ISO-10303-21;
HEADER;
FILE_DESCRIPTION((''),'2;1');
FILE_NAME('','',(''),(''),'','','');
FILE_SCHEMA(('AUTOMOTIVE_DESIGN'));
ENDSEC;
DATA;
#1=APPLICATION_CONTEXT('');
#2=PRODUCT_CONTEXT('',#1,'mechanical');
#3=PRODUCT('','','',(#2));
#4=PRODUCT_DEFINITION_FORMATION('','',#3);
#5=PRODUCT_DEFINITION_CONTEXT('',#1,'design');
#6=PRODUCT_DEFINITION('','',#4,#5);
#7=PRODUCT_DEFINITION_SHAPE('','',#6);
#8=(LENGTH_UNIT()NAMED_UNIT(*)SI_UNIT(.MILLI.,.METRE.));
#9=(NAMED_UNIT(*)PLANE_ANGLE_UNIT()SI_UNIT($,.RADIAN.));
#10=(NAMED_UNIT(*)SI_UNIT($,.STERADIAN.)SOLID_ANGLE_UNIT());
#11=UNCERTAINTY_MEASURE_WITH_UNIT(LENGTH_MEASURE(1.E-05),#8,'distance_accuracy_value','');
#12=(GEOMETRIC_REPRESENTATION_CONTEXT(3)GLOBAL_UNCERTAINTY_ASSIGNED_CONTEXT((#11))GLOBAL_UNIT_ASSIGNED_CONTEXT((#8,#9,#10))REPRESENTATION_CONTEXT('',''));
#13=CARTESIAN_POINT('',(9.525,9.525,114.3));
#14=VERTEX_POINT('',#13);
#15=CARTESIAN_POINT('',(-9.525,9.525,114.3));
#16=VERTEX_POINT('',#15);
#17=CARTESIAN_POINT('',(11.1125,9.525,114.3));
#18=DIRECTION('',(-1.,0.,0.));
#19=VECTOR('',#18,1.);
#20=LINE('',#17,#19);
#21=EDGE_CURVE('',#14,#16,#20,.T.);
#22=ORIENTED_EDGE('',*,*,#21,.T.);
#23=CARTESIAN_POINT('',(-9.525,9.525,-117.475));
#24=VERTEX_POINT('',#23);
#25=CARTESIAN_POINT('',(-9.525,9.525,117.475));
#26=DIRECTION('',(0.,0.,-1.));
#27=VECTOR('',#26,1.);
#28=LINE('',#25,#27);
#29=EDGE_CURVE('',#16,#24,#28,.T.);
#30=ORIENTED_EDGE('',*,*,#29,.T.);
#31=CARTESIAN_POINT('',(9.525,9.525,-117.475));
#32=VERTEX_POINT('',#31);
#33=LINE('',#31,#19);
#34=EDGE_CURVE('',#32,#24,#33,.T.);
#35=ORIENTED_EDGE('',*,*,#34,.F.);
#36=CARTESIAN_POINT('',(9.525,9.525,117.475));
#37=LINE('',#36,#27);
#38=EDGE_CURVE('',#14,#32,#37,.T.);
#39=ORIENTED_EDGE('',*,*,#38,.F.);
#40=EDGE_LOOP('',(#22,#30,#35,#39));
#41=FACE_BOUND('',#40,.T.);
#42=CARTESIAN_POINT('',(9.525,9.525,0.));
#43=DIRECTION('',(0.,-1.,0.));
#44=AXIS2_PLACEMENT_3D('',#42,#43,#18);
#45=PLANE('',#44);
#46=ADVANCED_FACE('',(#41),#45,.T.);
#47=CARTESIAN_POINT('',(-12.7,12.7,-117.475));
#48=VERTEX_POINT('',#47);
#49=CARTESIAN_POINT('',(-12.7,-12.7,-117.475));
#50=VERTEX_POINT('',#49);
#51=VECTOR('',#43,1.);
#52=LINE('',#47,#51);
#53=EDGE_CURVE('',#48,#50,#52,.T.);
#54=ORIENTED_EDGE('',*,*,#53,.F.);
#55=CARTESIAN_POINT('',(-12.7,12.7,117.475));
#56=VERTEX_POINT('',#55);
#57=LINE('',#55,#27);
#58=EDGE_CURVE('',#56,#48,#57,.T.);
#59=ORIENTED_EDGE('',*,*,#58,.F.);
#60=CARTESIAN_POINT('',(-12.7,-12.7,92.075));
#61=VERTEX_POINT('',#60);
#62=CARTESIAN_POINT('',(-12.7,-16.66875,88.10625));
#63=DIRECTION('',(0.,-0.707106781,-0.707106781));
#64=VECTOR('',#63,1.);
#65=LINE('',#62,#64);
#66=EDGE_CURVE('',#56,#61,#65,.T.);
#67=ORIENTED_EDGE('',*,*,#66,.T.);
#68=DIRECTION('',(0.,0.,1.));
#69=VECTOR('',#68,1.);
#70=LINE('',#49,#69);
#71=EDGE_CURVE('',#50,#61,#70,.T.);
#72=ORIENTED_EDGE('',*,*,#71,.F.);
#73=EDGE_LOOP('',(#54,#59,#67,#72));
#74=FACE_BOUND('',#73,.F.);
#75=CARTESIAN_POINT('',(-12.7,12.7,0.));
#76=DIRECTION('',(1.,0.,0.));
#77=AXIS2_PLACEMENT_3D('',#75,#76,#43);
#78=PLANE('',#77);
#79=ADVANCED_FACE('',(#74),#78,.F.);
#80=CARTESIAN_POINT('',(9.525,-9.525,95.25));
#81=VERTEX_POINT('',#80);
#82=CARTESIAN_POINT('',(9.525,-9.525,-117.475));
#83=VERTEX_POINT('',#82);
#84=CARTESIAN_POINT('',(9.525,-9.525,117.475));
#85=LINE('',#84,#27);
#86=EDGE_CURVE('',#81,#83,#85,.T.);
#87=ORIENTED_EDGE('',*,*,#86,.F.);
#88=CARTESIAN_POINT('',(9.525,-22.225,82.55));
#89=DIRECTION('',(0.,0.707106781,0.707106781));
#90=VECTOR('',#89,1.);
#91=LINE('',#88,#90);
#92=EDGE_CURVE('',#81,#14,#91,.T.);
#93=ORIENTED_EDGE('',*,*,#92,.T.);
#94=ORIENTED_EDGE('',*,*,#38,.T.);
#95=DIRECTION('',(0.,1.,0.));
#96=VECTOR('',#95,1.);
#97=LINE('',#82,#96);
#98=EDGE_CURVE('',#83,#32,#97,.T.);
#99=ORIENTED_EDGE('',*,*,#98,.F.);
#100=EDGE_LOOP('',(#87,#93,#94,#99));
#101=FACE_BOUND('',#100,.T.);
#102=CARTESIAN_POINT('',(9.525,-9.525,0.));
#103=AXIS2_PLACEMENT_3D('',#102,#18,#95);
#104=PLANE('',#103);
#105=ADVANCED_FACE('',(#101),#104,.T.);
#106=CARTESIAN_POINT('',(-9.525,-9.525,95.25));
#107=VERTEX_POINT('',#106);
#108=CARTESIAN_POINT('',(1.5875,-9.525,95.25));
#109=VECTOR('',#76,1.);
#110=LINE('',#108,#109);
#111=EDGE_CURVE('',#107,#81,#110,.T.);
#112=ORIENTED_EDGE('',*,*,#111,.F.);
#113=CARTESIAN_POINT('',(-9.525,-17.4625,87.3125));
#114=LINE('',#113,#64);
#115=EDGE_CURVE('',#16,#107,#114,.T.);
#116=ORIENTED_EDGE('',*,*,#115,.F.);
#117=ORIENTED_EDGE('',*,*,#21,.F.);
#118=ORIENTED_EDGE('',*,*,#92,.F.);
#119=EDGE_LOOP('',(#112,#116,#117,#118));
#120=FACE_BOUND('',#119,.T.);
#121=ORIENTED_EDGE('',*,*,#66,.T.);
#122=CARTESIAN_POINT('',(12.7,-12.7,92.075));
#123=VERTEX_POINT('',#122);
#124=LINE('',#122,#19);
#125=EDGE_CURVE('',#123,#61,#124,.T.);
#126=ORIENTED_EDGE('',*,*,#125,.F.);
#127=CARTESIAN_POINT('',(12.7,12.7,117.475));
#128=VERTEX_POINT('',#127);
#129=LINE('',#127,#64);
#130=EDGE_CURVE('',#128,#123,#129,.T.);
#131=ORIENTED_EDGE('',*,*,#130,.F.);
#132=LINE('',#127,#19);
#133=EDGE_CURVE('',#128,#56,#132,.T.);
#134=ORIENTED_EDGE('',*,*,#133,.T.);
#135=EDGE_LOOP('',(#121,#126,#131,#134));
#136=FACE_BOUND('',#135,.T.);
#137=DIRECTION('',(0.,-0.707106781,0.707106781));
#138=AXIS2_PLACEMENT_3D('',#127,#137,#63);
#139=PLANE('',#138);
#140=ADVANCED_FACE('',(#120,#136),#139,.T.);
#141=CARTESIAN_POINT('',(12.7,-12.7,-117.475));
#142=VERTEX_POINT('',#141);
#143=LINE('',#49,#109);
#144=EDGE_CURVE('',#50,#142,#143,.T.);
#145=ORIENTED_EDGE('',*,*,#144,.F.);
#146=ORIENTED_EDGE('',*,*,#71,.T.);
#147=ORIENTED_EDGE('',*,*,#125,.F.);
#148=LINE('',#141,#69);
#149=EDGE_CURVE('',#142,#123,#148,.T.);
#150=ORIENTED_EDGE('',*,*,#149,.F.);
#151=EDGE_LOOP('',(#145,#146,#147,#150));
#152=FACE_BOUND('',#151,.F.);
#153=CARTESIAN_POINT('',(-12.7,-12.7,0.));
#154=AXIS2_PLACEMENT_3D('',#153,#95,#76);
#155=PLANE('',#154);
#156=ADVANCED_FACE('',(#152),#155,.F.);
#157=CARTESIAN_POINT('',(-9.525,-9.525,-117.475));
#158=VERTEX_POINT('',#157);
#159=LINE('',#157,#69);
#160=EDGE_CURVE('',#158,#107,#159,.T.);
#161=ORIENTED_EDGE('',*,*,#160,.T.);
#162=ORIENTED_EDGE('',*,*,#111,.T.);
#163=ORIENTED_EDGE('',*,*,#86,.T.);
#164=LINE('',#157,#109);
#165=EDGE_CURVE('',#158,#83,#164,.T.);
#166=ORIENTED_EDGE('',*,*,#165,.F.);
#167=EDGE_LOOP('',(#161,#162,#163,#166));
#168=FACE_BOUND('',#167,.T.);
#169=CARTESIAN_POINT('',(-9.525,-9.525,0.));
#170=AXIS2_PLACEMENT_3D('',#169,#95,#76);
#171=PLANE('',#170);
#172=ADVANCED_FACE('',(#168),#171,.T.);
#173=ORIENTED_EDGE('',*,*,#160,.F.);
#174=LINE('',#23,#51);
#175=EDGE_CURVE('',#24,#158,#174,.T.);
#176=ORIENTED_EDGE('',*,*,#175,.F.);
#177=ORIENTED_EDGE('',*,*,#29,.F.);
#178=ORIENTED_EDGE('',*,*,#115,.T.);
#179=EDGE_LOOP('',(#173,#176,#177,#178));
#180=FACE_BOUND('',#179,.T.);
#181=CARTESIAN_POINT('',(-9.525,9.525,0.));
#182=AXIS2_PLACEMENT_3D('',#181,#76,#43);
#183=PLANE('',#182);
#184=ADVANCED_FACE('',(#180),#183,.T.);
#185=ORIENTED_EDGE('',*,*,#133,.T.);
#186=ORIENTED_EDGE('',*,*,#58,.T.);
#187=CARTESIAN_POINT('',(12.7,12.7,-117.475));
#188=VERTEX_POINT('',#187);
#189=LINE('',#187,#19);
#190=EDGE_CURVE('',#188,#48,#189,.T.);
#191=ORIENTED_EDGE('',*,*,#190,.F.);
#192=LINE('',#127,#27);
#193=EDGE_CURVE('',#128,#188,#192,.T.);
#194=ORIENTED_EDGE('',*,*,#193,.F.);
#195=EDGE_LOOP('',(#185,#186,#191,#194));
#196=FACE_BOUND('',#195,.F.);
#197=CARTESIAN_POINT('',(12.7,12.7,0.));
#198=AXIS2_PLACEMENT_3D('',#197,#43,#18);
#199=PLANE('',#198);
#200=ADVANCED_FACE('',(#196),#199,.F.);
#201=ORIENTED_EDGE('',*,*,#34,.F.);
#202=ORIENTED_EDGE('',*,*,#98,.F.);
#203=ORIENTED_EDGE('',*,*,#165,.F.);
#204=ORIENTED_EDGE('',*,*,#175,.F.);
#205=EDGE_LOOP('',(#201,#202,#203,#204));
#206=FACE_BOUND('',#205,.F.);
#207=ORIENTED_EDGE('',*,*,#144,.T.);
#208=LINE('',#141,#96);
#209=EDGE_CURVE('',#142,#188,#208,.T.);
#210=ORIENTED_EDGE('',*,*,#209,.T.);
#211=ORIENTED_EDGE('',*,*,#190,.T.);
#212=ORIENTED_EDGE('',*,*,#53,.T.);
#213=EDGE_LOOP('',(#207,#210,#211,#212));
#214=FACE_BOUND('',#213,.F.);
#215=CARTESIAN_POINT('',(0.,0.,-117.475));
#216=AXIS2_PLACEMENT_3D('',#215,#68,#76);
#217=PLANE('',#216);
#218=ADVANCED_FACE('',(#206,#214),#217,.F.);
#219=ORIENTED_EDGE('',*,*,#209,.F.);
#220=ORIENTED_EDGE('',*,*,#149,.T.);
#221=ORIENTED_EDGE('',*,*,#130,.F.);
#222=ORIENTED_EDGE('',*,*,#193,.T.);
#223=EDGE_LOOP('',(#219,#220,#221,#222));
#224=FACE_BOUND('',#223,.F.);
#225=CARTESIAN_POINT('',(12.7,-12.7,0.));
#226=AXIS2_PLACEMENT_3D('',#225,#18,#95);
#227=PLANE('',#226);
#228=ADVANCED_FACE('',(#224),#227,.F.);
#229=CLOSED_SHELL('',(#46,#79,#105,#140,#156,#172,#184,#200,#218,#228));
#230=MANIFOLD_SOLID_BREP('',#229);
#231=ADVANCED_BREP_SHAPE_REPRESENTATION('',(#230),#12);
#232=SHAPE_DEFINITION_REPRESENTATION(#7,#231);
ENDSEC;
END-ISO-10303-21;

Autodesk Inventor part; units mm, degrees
ref_plane "YZ Plane" through (0, 0, 0) normal (1, 0, 0) x (0, 1, 0)
ref_plane "XZ Plane" through (0, 0, 0) normal (0, 1, 0) x (-1, 0, 0)
ref_plane "XY Plane" through (0, 0, 0) normal (0, 0, 1) x (1, 0, 0)
sketch "Sketch1" plane through (0, 0, 0) normal (0, 0, 1) x (1, 0, 0)
  line L0 (-12.7, -12.7) -> (12.7, -12.7)
  line L1 (12.7, -12.7) -> (12.7, 12.7)
  line L2 (12.7, 12.7) -> (-12.7, 12.7)
  line L3 (-12.7, 12.7) -> (-12.7, -12.7)
  line L4 (-12.7, -12.7) -> (12.7, 12.7) construction
  line L5 (12.7, -12.7) -> (-12.7, 12.7) construction
  line L6 (-9.525, -9.525) -> (9.525, -9.525)
  line L7 (9.525, -9.525) -> (9.525, 9.525)
  line L8 (9.525, 9.525) -> (-9.525, 9.525)
  line L9 (-9.525, 9.525) -> (-9.525, -9.525)
  line L10 (-9.525, -9.525) -> (9.525, 9.525) construction
  line L11 (9.525, -9.525) -> (-9.525, 9.525) construction
  point P0 (0, 0)
  dimension "d0" = 25.4
  dimension "d1" = 25.4
  dimension "d2" = 3.175
  dimension "d3" = 3.175
extrude "Extrusion1" add sketch "Sketch1" along normal mid plane 234.95
sketch "Sketch5" plane through (12.7, -12.7, 117.475) normal (1, 0, 0) x (0, 0, -1)
  line L0 (0, 25.4) -> (0, 0) projected
  line L1 (0, 25.4) -> (25.4, 0)
  line L2 (234.95, 0) -> (0, 0) projected
  line L3 (0, 25.4) -> (35.921, 25.4) construction
  line L4 (25.4, 0) -> (0, 0)
  line L5 (0, 0) -> (0, 25.4)
  line L6 (0, 22.225) -> (0, 3.175) projected
  point P0 (117.475, 12.7)
  dimension "d12" = 45
extrude "Extrusion3" cut sketch "Sketch5" against normal through all
properties part number "9_250-inchAluminumTubingWithOne45DegreeCut" material "Aluminum 6061"
